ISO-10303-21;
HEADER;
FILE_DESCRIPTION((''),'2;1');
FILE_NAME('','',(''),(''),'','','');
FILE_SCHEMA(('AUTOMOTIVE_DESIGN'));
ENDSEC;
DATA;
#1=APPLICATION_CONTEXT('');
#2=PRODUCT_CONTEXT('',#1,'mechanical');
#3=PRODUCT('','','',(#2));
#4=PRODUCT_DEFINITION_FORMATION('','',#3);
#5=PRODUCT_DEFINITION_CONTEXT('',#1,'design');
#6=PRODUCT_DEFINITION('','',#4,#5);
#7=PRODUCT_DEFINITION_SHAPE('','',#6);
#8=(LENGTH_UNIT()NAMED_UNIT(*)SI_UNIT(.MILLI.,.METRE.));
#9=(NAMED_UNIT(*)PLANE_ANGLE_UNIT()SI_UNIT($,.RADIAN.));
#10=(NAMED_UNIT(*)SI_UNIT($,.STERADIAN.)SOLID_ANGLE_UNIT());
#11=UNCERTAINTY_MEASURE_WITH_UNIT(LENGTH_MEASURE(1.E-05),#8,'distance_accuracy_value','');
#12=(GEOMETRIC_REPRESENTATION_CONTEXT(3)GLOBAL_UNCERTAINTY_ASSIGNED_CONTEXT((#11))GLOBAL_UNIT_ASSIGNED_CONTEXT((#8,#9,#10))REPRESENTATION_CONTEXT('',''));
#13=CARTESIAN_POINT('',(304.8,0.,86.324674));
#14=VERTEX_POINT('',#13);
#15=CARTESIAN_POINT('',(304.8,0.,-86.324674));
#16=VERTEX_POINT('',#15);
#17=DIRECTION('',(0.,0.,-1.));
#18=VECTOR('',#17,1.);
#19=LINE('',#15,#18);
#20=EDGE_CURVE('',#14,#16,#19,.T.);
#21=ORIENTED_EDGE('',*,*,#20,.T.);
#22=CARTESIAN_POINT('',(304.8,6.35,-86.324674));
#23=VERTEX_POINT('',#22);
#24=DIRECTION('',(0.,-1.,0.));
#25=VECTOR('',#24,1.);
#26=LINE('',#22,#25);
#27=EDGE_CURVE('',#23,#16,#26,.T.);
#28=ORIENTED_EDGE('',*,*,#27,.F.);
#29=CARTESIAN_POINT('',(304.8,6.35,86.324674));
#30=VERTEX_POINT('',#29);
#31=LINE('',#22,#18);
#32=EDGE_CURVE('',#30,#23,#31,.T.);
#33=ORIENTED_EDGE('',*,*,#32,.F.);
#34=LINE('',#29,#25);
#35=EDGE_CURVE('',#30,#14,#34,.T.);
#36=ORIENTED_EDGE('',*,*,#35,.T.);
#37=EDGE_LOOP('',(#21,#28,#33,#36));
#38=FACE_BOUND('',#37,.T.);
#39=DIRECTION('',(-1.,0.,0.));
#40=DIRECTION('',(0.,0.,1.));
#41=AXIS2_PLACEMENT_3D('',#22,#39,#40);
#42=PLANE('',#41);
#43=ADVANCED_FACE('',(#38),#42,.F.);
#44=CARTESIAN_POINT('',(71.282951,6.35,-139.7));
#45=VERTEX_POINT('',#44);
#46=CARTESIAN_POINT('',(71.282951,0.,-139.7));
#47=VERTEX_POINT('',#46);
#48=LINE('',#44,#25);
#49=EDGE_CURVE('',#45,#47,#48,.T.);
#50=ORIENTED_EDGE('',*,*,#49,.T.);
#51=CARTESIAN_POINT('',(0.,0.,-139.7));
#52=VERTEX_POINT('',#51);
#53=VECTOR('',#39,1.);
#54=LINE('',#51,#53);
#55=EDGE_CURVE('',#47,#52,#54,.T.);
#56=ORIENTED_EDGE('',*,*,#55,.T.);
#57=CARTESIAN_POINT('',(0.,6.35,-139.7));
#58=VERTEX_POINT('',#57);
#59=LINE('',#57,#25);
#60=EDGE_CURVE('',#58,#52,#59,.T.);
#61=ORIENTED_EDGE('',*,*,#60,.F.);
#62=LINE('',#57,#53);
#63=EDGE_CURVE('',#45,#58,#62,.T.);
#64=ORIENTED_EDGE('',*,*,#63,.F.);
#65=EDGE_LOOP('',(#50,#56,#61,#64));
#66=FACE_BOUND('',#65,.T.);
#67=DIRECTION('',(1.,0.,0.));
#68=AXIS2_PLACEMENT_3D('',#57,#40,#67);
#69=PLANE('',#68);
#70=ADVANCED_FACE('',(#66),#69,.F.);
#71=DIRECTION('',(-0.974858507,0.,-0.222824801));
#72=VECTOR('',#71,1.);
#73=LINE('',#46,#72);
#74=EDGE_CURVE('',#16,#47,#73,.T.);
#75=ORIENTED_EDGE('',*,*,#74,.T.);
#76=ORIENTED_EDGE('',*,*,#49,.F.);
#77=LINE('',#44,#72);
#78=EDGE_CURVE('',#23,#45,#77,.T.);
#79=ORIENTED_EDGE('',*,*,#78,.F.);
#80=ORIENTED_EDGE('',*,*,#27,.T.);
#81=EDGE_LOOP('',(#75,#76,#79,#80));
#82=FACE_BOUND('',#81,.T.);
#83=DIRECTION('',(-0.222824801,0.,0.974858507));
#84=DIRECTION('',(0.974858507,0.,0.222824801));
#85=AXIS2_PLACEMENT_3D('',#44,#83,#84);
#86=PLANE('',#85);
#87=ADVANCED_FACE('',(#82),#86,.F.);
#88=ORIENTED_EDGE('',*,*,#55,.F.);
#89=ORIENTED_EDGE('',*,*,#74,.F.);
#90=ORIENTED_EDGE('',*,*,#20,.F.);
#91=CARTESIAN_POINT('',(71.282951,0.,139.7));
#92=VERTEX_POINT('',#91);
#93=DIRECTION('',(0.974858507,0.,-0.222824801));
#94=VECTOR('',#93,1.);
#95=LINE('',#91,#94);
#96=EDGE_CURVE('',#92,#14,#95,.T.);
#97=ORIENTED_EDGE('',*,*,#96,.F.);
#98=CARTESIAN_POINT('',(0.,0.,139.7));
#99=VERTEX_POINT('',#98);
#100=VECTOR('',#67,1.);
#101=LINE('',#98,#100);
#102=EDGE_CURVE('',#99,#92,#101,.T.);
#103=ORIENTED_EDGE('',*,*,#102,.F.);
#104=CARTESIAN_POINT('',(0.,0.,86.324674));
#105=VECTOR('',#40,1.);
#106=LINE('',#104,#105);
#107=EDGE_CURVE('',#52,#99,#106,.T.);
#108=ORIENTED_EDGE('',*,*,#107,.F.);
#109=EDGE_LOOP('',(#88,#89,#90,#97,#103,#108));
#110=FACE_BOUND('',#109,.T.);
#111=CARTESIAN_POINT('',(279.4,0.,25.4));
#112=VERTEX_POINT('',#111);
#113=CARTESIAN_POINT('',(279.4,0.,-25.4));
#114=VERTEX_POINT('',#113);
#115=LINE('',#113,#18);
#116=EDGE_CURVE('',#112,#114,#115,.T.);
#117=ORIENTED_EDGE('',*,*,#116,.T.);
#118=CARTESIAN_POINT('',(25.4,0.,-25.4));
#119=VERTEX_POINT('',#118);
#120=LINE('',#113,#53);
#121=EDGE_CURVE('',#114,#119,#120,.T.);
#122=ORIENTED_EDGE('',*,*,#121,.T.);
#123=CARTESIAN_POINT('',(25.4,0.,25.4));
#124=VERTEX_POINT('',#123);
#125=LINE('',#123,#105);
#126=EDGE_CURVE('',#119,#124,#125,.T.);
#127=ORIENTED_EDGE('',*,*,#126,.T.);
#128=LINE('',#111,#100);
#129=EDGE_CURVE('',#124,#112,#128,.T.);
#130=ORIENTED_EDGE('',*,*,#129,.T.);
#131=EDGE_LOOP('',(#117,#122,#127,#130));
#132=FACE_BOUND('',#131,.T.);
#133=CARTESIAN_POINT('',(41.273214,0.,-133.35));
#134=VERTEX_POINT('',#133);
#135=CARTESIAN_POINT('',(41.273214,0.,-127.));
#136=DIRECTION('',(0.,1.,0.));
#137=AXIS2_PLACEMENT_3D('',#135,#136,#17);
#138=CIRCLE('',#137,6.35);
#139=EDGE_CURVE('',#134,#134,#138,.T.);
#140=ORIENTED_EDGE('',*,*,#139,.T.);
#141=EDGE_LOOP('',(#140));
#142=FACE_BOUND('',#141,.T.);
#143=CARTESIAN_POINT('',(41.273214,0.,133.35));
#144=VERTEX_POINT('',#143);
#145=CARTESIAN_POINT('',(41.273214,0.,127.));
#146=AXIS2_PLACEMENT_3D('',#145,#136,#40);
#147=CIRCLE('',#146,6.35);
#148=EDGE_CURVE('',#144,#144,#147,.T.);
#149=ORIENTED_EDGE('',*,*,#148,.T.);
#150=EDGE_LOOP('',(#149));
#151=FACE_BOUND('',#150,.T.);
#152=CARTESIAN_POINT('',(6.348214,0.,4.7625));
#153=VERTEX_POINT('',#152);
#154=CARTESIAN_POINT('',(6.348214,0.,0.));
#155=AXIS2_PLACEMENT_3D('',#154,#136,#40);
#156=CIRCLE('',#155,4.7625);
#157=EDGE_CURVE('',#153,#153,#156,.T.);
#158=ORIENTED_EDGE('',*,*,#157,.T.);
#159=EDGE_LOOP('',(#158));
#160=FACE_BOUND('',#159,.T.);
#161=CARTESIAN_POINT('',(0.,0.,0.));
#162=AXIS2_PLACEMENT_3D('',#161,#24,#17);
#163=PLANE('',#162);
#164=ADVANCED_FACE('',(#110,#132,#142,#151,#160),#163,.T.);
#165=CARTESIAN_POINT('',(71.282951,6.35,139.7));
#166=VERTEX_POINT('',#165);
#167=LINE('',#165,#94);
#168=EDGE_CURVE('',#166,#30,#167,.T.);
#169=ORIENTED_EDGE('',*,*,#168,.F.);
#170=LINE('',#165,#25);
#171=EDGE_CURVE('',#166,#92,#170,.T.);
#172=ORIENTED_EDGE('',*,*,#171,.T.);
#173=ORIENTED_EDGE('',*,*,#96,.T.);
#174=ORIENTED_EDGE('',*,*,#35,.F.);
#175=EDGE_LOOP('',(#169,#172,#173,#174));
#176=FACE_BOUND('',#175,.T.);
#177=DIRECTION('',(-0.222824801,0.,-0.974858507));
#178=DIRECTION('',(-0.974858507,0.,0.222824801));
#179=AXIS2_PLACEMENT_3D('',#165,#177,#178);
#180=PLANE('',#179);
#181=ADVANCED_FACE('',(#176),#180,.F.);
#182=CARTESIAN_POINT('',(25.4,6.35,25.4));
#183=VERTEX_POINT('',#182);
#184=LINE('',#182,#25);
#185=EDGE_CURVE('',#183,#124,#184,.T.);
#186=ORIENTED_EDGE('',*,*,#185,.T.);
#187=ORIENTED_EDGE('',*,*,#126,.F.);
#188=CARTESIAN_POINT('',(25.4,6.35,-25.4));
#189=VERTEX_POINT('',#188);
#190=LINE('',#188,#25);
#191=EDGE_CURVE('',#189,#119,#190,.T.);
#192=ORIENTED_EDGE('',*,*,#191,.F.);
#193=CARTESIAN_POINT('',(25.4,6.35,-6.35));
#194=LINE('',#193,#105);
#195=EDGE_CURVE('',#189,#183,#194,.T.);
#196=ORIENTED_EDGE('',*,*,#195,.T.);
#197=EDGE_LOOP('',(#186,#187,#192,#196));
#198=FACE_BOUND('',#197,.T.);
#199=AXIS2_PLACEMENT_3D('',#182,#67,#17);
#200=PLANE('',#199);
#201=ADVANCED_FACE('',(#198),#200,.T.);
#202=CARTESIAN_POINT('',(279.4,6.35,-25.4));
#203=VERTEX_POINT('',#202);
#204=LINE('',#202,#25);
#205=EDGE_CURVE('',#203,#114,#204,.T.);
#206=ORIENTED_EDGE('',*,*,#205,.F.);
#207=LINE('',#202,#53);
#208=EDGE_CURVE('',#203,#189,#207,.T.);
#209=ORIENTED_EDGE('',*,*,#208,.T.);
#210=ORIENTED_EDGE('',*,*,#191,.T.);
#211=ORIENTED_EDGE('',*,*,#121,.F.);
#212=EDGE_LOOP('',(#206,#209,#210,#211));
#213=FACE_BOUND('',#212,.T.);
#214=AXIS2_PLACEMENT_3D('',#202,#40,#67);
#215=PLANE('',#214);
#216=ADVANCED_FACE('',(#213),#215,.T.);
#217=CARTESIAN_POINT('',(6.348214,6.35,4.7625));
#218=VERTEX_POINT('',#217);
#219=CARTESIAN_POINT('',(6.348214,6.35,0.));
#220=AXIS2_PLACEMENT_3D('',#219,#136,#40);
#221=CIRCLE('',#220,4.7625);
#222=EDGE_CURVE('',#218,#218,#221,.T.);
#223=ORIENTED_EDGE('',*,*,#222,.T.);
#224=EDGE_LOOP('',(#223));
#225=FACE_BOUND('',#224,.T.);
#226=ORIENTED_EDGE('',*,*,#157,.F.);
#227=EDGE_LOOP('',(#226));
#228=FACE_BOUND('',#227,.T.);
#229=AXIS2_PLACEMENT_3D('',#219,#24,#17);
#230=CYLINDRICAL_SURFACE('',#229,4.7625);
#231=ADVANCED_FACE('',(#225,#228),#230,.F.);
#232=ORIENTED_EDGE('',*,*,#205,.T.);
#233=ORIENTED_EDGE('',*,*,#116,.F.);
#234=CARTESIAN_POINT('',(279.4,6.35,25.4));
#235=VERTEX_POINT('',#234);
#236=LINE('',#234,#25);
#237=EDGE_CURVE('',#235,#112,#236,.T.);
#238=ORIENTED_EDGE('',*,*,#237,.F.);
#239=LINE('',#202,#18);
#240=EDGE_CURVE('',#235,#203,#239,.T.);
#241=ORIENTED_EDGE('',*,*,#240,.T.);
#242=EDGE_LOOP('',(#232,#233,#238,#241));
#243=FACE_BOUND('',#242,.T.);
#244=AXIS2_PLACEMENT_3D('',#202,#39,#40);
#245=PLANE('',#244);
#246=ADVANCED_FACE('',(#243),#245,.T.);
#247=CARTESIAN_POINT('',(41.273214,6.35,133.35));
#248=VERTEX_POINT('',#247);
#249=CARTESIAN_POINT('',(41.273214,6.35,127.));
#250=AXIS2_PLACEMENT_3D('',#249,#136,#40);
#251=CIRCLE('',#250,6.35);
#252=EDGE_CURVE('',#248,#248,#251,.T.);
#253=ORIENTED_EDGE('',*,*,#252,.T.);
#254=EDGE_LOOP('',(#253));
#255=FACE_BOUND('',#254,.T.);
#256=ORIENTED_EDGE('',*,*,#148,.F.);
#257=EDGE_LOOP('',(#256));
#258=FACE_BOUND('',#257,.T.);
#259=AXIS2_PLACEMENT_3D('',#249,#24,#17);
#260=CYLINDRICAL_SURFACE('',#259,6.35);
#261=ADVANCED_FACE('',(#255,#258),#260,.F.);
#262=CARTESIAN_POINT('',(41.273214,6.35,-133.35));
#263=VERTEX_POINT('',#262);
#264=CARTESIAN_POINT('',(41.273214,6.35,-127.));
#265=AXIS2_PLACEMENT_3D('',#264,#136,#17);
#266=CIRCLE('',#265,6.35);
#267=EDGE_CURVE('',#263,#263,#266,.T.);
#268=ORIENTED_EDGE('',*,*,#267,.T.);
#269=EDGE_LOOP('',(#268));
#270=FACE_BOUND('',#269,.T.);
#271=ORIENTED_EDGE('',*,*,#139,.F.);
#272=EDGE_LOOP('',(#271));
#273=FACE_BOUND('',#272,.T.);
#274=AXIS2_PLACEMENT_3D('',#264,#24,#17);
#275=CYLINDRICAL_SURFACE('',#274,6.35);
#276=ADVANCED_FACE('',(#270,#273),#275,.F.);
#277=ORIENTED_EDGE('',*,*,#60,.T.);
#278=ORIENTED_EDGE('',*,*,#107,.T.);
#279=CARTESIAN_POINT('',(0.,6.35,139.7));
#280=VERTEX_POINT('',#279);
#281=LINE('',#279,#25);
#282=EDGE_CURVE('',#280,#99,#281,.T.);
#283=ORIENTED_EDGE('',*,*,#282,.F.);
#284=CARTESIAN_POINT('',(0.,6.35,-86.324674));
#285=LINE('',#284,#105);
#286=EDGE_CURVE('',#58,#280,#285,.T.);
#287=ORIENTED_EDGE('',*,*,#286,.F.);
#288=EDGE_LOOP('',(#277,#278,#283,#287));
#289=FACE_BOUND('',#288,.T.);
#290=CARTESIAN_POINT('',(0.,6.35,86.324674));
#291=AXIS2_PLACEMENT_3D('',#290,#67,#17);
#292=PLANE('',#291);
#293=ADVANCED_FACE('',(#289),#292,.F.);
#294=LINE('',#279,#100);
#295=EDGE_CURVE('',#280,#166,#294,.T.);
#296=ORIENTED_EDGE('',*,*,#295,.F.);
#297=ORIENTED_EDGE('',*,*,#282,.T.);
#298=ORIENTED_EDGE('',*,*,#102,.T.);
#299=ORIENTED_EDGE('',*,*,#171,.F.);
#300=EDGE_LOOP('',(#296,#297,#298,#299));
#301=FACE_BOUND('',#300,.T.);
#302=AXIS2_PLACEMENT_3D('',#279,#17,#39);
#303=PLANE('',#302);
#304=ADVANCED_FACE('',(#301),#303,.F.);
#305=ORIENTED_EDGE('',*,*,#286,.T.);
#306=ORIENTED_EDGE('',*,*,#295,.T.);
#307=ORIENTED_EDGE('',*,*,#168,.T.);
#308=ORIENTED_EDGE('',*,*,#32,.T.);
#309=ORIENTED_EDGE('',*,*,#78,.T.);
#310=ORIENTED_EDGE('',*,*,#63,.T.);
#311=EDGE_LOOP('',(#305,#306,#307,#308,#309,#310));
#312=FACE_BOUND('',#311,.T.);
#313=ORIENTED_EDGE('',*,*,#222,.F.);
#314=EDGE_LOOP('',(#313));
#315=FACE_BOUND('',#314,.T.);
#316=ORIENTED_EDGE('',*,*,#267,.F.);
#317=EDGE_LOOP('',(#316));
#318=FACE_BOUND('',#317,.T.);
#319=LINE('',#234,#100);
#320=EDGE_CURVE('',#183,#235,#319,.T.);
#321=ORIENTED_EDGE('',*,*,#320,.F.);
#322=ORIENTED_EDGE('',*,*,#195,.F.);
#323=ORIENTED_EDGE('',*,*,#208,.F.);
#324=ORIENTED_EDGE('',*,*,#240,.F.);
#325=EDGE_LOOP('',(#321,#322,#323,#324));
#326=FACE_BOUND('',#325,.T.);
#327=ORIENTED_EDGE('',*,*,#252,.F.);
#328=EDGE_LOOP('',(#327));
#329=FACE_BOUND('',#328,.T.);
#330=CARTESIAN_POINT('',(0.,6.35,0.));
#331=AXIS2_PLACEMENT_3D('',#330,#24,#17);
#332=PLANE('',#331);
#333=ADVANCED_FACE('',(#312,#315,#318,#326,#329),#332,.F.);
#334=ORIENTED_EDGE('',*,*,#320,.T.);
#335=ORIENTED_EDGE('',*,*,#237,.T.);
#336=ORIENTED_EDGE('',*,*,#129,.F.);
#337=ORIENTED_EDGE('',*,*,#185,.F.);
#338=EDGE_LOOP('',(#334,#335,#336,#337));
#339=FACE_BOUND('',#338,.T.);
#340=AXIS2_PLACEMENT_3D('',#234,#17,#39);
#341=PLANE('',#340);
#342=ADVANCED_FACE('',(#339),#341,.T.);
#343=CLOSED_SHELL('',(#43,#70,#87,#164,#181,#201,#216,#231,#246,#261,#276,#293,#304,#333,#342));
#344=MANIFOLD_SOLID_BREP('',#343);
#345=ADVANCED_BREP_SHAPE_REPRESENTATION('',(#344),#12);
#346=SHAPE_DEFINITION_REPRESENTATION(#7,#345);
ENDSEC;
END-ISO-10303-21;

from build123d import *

# Parameters (mm, degrees)
SKETCH1_R           = 6.35
SKETCH1_R_2         = 4.7625
BOSS_EXTRUDE1_DEPTH = 6.35


with BuildPart() as part:
    # Sketch1 → Boss-Extrude1 (new body)
    with BuildSketch(Plane(origin=(0, 0, 0), x_dir=(1, 0, 0), z_dir=(0, 1, 0))):
        Polygon((0, -86.324674442), (0, -139.7), (71.282950652, -139.7), (304.8, -86.324674442), (304.8, 86.324674442), (71.282950652, 139.7), (0, 139.7), (0, 86.324674442), (0, 6.35), (0, -6.35), align=None)
        with Locations(Location((41.27321438, -127, 0), (0, 0, 270))):
            Circle(SKETCH1_R, mode=Mode.SUBTRACT)
        with Locations(Location((41.27321438, 127, 0), (0, 0, 90))):
            Circle(SKETCH1_R, mode=Mode.SUBTRACT)
        with Locations(Location((6.34821438, 0, 0), (0, 0, 270))):
            Circle(SKETCH1_R_2, mode=Mode.SUBTRACT)
        Polygon((279.4, 25.4), (279.4, -25.4), (25.4, -25.4), (25.4, -6.35), (25.4, 6.35), (25.4, 25.4), align=None, mode=Mode.SUBTRACT)
    extrude(amount=BOSS_EXTRUDE1_DEPTH)


solid = part.part
